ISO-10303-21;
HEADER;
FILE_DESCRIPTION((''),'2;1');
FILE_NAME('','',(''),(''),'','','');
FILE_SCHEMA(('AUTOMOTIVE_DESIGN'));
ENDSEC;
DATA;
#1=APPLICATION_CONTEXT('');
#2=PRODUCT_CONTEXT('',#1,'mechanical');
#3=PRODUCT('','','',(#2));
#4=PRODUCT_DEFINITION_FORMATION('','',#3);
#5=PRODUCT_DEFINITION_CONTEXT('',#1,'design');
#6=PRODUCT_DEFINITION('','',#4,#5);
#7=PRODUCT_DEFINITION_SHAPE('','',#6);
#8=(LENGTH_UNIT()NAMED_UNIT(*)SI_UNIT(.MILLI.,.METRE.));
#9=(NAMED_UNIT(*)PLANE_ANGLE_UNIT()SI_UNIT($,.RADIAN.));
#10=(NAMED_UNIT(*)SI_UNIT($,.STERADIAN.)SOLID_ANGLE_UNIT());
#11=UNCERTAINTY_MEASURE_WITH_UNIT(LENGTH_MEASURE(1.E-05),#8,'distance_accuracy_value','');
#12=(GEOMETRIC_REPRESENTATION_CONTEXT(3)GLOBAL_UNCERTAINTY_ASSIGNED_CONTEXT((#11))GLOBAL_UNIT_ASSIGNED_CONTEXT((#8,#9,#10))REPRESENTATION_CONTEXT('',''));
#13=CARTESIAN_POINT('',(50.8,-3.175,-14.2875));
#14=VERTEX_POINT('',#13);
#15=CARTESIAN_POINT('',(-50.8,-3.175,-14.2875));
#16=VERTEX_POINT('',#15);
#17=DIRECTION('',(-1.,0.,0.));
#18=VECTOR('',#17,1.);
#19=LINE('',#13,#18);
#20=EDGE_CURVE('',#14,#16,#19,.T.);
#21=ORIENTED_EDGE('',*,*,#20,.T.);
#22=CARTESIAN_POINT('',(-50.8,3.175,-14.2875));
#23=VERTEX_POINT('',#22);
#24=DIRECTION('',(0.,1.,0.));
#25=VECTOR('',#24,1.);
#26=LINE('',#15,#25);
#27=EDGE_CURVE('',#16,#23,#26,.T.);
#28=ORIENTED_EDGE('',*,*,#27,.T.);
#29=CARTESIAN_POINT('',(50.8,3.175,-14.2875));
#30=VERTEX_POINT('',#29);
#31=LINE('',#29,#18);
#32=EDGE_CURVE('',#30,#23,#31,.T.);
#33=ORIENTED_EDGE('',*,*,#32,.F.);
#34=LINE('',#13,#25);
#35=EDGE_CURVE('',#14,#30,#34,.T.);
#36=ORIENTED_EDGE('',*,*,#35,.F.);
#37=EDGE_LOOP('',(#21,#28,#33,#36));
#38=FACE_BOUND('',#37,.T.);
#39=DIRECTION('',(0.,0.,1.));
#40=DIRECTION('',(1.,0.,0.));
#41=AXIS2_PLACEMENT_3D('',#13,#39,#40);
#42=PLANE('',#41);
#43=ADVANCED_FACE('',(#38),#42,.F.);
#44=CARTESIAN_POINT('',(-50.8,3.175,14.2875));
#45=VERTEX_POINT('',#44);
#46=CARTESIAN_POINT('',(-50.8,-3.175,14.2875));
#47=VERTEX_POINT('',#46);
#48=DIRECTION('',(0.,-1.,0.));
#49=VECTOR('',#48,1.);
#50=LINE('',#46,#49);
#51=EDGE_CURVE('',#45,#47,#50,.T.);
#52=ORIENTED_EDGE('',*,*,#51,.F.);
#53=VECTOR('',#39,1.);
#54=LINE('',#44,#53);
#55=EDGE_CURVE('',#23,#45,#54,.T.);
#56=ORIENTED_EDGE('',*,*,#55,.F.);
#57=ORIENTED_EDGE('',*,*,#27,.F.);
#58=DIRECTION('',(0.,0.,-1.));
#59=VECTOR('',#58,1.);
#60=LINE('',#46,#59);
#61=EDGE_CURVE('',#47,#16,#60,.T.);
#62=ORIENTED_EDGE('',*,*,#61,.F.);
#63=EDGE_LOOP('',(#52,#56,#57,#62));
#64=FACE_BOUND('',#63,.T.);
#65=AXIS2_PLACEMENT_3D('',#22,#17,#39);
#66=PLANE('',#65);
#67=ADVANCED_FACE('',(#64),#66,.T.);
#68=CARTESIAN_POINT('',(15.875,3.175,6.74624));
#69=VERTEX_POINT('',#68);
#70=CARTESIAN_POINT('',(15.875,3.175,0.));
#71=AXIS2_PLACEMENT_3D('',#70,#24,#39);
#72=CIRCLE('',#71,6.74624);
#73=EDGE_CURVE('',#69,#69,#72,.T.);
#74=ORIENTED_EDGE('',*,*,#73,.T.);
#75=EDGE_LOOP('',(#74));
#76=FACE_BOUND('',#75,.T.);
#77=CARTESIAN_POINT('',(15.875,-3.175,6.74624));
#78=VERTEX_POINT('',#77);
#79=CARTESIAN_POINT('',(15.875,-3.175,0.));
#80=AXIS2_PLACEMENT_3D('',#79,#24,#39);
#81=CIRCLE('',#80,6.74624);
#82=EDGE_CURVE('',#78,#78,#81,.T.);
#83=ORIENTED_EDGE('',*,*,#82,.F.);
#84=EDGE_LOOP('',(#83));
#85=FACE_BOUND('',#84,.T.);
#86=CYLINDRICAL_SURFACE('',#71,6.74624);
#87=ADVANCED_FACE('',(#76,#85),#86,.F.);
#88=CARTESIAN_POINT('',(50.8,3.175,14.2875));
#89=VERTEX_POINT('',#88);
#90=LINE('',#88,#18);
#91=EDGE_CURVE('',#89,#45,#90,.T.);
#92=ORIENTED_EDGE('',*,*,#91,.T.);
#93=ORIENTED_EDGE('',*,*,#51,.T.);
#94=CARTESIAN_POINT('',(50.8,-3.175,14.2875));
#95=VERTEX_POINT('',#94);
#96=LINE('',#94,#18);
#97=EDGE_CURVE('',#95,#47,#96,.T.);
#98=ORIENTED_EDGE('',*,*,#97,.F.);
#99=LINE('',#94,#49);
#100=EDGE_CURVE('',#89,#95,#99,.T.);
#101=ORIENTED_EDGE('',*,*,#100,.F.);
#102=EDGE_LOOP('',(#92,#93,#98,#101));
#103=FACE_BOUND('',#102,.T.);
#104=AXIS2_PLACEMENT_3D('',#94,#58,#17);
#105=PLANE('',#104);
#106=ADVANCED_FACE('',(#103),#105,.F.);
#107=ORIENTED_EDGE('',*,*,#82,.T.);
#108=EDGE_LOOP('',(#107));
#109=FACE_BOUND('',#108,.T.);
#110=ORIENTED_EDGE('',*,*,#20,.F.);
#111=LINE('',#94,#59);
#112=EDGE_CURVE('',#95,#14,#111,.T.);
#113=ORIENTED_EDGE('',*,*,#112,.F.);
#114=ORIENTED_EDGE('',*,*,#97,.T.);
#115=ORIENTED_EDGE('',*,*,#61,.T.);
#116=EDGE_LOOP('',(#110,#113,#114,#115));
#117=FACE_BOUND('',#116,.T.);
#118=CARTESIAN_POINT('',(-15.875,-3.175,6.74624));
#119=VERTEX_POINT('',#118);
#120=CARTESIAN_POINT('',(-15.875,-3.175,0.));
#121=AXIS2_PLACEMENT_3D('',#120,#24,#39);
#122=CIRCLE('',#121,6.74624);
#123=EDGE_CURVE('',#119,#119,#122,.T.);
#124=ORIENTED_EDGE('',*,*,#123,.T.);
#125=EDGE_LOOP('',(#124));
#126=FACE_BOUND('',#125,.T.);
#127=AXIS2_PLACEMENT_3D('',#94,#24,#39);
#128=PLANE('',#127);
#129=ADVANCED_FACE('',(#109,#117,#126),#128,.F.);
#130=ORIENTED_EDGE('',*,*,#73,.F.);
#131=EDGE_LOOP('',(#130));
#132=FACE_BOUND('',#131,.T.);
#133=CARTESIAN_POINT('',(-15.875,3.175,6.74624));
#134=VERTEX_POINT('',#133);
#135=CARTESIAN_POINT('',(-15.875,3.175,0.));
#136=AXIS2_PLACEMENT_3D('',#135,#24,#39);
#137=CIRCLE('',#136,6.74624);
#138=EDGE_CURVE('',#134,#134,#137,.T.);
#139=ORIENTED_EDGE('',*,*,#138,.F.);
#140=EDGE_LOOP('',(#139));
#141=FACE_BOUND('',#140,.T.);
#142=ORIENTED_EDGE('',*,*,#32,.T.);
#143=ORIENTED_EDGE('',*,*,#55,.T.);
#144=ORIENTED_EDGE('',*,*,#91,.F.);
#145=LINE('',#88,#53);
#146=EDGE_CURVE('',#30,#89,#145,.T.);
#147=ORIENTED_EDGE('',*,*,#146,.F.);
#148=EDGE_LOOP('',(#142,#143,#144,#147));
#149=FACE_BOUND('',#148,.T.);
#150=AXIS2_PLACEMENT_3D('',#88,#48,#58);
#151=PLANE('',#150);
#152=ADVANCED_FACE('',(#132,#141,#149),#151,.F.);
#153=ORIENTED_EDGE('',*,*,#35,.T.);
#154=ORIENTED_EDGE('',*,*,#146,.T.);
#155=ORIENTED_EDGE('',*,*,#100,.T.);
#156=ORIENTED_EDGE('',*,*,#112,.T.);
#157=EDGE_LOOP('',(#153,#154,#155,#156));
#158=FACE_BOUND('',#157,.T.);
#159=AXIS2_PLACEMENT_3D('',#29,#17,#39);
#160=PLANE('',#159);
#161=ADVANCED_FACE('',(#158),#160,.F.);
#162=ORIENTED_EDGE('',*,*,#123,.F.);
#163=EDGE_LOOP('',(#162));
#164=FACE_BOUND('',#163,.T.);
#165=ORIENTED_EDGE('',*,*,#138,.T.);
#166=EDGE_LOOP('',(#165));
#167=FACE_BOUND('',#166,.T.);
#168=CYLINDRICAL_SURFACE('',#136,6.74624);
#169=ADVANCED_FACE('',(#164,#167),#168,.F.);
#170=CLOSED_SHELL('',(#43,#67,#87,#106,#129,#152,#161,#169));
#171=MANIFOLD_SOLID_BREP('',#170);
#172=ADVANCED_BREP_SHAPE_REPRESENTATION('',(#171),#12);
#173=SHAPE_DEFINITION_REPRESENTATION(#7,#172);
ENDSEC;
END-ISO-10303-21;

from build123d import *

# Parameters (mm, degrees)
SKETCH1_W               = 28.575
SKETCH1_H               = 6.35
EXTRUDE1_DEPTH          = 50.8
EXTRUDE1_DEPTH_BACK     = 50.8
F_1_2_CLEARANCE_HOLE1_D = 13.49248


with BuildPart() as part:
    # Sketch1 → Extrude1 (new body, two sides)
    with BuildSketch(Plane(origin=(0, 0, 0), x_dir=(0, 0, -1), z_dir=(1, 0, 0))) as extrude1_sk:
        Rectangle(SKETCH1_W, SKETCH1_H)
    extrude(amount=EXTRUDE1_DEPTH)
    extrude(extrude1_sk.sketch, amount=-EXTRUDE1_DEPTH_BACK)

    # 1_2 Clearance Hole1 (through all)
    with Locations(Plane(origin=(0, 3.175, 0), x_dir=(-1, 0, 0), z_dir=(0, 1, 0))):
        with Locations((15.875, 0), (-15.875, 0)):
            Hole(F_1_2_CLEARANCE_HOLE1_D / 2)


solid = part.part
